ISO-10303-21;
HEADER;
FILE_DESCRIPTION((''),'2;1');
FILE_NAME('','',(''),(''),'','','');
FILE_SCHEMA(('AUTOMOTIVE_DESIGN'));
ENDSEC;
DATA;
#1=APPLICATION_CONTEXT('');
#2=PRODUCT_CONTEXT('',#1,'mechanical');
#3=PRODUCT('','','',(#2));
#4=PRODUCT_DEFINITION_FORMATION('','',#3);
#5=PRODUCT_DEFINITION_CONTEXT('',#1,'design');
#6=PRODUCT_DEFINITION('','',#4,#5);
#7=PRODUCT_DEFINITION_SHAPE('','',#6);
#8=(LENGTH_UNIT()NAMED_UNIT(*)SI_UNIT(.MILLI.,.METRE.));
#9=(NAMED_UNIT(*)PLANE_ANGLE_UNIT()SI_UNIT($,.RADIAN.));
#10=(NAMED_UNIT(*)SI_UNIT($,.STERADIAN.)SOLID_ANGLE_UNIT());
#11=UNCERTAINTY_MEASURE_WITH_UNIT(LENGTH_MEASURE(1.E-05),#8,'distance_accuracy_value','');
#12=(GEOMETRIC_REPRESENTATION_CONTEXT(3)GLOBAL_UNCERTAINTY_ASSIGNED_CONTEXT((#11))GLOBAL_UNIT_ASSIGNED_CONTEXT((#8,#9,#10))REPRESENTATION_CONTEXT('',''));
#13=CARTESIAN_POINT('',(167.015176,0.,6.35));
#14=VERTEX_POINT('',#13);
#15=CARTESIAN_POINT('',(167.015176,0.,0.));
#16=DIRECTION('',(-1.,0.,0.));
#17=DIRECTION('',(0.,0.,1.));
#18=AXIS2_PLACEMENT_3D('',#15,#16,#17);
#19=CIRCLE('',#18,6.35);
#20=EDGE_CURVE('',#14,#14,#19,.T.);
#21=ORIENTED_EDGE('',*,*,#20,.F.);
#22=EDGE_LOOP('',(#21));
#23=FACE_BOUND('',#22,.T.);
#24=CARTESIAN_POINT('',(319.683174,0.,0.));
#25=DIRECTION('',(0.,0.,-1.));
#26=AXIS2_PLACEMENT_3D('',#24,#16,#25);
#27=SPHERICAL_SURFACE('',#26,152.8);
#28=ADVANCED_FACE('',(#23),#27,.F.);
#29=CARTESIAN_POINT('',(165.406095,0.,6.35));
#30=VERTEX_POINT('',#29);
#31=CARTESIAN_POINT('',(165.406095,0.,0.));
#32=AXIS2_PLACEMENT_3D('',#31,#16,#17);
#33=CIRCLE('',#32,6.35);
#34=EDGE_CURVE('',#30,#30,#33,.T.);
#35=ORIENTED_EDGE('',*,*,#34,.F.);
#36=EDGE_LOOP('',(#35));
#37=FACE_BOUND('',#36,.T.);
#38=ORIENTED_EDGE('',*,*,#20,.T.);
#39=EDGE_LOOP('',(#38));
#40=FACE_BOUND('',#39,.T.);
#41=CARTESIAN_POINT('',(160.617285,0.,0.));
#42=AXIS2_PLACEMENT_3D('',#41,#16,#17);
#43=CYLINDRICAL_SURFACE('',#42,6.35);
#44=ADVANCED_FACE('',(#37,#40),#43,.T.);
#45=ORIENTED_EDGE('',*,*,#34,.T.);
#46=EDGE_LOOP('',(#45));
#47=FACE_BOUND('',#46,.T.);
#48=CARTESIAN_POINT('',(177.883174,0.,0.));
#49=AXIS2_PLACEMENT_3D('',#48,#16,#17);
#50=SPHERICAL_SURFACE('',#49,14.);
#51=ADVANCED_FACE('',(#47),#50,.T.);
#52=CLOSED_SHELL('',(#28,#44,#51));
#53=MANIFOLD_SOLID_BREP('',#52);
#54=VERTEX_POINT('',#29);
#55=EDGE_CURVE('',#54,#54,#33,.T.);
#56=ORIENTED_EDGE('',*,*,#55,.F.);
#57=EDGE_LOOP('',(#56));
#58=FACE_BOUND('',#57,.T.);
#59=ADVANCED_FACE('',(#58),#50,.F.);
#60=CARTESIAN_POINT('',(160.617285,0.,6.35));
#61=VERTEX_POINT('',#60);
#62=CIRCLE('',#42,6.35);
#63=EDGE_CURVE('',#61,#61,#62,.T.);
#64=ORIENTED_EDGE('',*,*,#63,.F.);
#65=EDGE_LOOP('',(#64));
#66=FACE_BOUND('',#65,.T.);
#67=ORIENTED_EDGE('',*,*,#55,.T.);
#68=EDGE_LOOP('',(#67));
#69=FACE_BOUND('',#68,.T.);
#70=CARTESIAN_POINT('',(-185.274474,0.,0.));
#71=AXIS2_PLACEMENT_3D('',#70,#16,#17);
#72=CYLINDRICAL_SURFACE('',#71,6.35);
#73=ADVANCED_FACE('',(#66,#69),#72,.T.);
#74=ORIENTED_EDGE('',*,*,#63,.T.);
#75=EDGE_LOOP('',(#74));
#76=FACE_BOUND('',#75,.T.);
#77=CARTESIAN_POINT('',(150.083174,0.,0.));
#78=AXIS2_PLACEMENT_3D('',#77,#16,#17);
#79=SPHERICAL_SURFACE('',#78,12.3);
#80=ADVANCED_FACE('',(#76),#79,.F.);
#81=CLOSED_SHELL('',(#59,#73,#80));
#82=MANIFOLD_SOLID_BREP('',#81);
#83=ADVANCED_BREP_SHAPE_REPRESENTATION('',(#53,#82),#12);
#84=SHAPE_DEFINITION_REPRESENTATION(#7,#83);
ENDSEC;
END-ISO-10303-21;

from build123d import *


with BuildPart() as part:
    # 草图1 one side → 旋转1 (revolve)
    with BuildSketch(Plane(origin=(0, 0, 0), x_dir=(1, 0, 0), z_dir=(0, 1, 0)), mode=Mode.PRIVATE) as revolve_1_sk:
        with BuildLine():
            Line((165.406095044, 6.35), (160.617285287, 6.35))
            ThreePointArc((160.617285287, 6.35), (161.933481377, 3.295484147), (162.383174029, 0))
            Line((162.383174029, 0), (163.883174029, 0))
            ThreePointArc((163.883174029, 0), (164.26922703, 3.265034013), (165.406095044, 6.35))
        make_face()
    revolve(revolve_1_sk.sketch.rotate(Axis((-185.274474051, 0, 0), (1, 0, 0)), 180), axis=Axis((-185.274474051, 0, 0), (1, 0, 0)))  # turned: the seam where the file's is


with BuildPart() as body_2:
    # 草图2 one side → 旋转3 (revolve)
    with BuildSketch(Plane(origin=(0, 0, 0), x_dir=(1, 0, 0), z_dir=(0, 1, 0)), mode=Mode.PRIVATE) as revolve_3_sk:
        with BuildLine():
            Line((167.0151764, 6.35), (165.406095044, 6.35))
            ThreePointArc((165.406095044, 6.35), (164.26922703, 3.265034013), (163.883174029, 0))
            Line((163.883174029, 0), (166.883174029, 0))
            ThreePointArc((166.883174029, 0), (166.916178186, 3.175685935), (167.0151764, 6.35))
        make_face()
    revolve(revolve_3_sk.sketch.rotate(Axis((160.617285287, 0, 0), (1, 0, 0)), 180), axis=Axis((160.617285287, 0, 0), (1, 0, 0)))  # turned: the seam where the file's is


solid = Compound([part.part, body_2.part])
